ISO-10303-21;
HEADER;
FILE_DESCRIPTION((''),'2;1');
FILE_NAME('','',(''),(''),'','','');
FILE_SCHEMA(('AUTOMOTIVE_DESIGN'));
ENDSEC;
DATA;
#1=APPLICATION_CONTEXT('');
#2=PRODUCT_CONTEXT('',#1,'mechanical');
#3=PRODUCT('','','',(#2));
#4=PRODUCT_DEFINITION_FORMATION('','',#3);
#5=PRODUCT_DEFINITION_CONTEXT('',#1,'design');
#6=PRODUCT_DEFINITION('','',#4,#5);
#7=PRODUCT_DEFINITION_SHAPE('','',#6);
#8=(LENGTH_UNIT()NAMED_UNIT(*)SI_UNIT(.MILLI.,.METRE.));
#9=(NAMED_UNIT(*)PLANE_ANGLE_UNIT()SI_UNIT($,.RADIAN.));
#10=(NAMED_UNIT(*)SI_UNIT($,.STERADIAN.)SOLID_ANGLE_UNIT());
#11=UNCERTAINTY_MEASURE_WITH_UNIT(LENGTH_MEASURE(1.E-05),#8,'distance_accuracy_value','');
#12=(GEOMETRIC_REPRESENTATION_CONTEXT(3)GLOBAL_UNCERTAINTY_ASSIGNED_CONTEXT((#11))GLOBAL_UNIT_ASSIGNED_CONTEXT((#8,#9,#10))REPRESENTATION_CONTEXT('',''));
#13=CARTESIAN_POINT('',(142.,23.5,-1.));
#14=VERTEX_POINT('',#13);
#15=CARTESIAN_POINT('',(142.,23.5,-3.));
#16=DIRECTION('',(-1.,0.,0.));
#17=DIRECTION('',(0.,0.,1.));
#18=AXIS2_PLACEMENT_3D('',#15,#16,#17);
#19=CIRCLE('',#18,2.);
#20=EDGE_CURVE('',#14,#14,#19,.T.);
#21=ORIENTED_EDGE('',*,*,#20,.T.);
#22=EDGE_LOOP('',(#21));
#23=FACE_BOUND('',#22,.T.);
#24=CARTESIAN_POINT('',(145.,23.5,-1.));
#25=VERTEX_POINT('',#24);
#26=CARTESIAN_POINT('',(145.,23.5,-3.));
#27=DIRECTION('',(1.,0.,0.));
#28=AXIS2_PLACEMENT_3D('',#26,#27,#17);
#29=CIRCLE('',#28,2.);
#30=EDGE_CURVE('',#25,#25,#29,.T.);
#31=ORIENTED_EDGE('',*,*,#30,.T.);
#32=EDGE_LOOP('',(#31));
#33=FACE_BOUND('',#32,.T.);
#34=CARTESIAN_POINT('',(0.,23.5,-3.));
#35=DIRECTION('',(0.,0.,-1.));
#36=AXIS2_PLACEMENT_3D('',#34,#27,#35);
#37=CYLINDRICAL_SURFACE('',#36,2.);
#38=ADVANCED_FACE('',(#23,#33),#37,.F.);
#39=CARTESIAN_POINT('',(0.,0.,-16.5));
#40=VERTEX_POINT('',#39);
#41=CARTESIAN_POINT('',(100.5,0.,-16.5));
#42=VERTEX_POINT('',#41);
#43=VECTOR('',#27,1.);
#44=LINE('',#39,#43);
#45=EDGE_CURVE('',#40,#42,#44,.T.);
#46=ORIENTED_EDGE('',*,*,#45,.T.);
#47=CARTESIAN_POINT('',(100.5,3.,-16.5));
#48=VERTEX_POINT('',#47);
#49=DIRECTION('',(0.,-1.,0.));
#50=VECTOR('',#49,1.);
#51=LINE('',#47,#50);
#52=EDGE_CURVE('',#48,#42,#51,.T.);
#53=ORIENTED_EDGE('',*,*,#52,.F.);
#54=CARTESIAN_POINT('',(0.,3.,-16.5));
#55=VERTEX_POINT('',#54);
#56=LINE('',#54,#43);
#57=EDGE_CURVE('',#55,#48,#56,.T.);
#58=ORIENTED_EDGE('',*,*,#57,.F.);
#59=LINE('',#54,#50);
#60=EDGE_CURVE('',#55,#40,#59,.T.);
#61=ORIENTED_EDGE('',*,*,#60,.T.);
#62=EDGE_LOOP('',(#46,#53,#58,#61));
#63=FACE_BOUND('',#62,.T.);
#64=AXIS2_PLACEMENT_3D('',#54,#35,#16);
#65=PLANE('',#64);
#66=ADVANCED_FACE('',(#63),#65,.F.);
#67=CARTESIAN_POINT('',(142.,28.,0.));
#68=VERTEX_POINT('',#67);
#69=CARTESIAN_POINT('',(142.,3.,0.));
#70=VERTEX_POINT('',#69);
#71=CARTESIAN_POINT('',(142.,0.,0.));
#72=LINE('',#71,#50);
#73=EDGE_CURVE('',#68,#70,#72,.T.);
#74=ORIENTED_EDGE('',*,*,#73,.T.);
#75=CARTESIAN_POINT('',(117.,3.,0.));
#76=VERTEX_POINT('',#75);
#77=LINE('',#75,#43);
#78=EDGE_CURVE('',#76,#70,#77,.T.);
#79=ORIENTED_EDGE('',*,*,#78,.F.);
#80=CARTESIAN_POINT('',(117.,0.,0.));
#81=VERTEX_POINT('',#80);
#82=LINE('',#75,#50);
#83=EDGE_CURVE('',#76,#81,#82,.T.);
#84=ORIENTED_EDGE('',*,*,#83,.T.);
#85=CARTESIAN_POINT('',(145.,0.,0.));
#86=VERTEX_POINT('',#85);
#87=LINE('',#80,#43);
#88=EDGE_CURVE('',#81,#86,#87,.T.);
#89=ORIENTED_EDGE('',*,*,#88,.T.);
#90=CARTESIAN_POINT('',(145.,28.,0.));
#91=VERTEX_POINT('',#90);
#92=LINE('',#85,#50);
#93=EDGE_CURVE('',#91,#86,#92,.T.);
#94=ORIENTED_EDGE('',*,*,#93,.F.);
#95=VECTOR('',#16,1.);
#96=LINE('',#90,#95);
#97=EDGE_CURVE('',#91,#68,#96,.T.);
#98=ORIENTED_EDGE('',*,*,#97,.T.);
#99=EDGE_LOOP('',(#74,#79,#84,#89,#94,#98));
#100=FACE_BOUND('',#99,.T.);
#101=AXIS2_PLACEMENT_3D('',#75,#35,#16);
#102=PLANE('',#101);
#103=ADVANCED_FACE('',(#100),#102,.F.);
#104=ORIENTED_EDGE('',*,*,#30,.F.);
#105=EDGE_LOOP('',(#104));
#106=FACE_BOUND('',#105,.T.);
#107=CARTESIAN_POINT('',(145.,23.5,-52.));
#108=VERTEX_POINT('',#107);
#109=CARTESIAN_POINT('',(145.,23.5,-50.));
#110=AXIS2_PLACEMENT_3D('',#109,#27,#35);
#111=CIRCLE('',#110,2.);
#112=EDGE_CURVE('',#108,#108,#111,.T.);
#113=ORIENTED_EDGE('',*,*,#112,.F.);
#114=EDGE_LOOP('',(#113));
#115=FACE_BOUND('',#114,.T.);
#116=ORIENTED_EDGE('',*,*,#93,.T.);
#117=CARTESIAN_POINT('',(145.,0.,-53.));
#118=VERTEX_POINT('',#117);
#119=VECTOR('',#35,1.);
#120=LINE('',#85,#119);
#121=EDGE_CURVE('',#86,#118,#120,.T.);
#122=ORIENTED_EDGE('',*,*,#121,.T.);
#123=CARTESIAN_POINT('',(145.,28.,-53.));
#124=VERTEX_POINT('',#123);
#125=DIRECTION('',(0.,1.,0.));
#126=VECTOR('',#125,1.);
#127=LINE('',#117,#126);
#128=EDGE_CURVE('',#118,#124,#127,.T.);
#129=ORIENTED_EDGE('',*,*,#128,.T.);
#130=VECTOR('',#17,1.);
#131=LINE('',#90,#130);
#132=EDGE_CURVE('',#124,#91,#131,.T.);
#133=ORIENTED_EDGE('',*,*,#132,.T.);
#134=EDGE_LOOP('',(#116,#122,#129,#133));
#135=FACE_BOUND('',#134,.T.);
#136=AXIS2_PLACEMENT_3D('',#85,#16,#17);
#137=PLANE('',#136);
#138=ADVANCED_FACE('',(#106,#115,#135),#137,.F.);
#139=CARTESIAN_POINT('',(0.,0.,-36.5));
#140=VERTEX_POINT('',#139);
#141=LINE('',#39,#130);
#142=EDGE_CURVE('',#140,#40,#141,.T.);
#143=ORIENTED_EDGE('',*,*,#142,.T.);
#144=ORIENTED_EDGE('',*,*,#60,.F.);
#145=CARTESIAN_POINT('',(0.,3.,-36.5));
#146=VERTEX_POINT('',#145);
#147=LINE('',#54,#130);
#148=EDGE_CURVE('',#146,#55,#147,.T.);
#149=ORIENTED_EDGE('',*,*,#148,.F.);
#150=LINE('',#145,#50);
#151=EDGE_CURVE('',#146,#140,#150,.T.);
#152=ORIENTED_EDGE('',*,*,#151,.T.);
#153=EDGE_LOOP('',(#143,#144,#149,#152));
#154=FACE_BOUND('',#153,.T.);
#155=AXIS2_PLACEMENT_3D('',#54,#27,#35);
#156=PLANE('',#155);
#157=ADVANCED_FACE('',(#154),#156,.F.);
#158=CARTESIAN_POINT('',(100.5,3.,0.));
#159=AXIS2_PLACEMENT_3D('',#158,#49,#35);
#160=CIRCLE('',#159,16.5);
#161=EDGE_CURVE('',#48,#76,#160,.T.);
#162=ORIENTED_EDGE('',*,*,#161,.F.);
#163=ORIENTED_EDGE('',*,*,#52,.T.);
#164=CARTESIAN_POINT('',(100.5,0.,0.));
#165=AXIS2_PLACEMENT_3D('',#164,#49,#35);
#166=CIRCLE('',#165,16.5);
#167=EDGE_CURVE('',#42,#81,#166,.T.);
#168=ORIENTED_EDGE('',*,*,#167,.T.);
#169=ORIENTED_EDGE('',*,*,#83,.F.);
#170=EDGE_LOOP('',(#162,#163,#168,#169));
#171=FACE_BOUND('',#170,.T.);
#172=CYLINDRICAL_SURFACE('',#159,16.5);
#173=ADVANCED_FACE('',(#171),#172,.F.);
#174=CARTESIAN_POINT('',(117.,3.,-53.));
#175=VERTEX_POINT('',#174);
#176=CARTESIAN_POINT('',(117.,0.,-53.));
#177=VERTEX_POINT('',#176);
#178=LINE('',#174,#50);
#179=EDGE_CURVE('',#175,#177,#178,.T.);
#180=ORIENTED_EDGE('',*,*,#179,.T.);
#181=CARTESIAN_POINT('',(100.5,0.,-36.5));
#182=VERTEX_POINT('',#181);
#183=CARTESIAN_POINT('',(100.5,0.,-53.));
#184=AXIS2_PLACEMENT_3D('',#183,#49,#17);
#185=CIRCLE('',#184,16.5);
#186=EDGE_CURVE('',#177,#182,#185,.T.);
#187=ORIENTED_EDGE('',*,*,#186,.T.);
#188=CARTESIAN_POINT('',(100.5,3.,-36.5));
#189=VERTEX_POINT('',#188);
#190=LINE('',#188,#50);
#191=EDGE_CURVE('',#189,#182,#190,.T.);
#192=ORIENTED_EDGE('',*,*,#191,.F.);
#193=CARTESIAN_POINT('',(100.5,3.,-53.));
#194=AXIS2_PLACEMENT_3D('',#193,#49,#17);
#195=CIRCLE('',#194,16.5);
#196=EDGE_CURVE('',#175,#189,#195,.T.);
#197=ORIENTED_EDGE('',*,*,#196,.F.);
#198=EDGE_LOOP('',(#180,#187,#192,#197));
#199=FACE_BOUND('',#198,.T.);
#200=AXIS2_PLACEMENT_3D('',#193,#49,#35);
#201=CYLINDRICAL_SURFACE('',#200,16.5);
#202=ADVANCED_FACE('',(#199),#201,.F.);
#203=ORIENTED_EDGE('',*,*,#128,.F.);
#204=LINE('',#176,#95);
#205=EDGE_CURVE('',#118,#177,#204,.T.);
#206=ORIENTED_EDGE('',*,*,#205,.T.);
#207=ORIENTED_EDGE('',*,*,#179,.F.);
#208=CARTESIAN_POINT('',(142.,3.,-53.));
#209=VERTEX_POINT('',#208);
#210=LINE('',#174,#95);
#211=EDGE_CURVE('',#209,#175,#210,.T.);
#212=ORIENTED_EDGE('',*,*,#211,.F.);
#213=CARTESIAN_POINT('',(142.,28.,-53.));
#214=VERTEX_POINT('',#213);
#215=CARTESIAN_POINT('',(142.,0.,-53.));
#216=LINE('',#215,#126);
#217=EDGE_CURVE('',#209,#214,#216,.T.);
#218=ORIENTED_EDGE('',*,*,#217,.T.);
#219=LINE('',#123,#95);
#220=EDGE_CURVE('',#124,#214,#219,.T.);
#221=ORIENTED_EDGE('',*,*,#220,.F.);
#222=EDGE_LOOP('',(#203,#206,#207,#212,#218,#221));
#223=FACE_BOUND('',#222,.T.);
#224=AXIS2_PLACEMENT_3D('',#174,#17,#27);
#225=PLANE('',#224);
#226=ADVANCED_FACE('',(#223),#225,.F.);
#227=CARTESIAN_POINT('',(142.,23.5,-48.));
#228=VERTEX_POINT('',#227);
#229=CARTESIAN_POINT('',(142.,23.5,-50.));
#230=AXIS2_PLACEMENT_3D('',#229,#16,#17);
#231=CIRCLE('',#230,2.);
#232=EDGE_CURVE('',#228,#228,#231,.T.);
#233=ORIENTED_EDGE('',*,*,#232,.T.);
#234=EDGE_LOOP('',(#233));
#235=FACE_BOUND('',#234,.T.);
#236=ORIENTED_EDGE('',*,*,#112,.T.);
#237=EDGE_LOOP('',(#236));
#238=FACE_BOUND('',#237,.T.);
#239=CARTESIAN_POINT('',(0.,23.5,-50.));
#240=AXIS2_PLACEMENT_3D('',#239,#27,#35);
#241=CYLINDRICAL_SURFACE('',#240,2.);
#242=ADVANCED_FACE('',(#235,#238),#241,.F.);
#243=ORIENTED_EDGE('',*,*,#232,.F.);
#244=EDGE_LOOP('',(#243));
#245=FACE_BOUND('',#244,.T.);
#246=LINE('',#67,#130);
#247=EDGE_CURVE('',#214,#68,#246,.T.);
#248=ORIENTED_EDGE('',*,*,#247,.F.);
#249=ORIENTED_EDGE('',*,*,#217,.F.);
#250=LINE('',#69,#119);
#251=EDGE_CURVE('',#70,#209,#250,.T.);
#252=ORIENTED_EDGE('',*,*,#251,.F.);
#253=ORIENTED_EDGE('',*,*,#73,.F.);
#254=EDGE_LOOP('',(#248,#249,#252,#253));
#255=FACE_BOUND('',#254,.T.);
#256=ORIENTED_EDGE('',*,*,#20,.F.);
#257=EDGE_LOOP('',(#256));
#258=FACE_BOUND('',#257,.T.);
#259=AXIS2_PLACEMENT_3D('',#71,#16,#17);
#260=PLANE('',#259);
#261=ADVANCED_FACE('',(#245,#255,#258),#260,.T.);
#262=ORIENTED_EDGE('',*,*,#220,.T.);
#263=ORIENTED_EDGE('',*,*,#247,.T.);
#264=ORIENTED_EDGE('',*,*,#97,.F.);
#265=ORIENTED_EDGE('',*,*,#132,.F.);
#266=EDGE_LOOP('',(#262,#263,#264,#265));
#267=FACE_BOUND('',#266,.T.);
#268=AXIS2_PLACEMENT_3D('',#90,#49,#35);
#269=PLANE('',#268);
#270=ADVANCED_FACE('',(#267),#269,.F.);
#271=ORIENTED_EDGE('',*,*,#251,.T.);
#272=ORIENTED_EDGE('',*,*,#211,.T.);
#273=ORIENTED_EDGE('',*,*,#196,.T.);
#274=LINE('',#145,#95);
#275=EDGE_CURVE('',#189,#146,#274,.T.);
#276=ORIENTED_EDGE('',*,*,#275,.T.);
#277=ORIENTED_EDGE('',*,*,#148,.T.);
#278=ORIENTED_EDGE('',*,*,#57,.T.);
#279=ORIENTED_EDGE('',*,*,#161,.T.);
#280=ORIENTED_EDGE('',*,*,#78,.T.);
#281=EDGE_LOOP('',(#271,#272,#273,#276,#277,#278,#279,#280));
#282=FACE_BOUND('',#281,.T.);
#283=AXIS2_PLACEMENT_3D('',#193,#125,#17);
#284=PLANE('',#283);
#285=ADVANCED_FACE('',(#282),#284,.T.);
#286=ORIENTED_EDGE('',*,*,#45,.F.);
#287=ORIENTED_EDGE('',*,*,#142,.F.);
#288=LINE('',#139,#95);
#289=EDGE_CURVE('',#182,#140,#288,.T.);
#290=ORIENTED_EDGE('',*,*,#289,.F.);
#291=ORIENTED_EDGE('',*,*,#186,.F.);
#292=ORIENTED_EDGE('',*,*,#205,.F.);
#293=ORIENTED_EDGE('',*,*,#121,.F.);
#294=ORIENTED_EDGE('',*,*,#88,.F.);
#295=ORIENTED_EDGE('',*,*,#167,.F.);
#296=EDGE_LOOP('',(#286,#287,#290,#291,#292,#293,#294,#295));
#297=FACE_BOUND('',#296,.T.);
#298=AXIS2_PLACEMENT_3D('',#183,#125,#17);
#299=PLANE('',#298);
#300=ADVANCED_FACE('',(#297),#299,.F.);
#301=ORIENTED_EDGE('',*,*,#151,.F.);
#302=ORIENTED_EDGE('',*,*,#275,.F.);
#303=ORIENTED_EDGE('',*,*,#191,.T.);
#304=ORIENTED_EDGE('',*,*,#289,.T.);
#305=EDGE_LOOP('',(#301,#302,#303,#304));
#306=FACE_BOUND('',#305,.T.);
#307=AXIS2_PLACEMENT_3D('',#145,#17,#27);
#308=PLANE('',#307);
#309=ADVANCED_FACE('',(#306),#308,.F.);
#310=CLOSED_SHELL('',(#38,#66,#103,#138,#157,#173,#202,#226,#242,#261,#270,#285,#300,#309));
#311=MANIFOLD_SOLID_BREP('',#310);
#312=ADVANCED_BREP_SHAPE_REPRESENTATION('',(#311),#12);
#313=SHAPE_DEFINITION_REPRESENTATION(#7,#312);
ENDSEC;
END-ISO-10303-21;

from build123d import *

# Parameters (mm, degrees)
EXTRUDE_1_DEPTH     = 3
SKETCH_2_W          = 53
SKETCH_2_H          = 28
EXTRUDE_2_DEPTH     = 3
SKETCH_3_R          = 2
CUT_EXTRUDE_1_DEPTH = 157.901242825


with BuildPart() as part:
    # 草图1 → 凸台-拉伸1 (new body)
    with BuildSketch(Plane(origin=(0, 0, 0), x_dir=(1, 0, 0), z_dir=(0, 1, 0))):
        with BuildLine():
            Line((117, 0), (142, 0))
            Line((142, 0), (142, 53))
            Line((142, 53), (117, 53))
            ThreePointArc((117, 53), (112.16726189, 41.33273811), (100.5, 36.5))
            Line((100.5, 36.5), (0, 36.5))
            Line((0, 36.5), (0, 16.5))
            Line((0, 16.5), (100.5, 16.5))
            ThreePointArc((100.5, 16.5), (112.16726189, 11.66726189), (117, 0))
        make_face()
    extrude(amount=EXTRUDE_1_DEPTH)

    # 草图2 → 凸台-拉伸2 (add)
    with BuildSketch(Plane(origin=(142, 0, 0), x_dir=(0, 0, -1), z_dir=(1, 0, 0))):
        with Locations((26.5, 14)):
            Rectangle(SKETCH_2_W, SKETCH_2_H)
    extrude(amount=EXTRUDE_2_DEPTH)

    # 草图3 → 切除-拉伸1 (cut, through all)
    with BuildSketch(Plane(origin=(145, 0, 0), x_dir=(0, 0, -1), z_dir=(1, 0, 0))):
        with Locations((50, 23.5)):
            Circle(SKETCH_3_R)
        with Locations(Location((3, 23.5, 0), (0, 0, 180))):
            Circle(SKETCH_3_R)
    extrude(amount=-CUT_EXTRUDE_1_DEPTH, mode=Mode.SUBTRACT)


solid = part.part
